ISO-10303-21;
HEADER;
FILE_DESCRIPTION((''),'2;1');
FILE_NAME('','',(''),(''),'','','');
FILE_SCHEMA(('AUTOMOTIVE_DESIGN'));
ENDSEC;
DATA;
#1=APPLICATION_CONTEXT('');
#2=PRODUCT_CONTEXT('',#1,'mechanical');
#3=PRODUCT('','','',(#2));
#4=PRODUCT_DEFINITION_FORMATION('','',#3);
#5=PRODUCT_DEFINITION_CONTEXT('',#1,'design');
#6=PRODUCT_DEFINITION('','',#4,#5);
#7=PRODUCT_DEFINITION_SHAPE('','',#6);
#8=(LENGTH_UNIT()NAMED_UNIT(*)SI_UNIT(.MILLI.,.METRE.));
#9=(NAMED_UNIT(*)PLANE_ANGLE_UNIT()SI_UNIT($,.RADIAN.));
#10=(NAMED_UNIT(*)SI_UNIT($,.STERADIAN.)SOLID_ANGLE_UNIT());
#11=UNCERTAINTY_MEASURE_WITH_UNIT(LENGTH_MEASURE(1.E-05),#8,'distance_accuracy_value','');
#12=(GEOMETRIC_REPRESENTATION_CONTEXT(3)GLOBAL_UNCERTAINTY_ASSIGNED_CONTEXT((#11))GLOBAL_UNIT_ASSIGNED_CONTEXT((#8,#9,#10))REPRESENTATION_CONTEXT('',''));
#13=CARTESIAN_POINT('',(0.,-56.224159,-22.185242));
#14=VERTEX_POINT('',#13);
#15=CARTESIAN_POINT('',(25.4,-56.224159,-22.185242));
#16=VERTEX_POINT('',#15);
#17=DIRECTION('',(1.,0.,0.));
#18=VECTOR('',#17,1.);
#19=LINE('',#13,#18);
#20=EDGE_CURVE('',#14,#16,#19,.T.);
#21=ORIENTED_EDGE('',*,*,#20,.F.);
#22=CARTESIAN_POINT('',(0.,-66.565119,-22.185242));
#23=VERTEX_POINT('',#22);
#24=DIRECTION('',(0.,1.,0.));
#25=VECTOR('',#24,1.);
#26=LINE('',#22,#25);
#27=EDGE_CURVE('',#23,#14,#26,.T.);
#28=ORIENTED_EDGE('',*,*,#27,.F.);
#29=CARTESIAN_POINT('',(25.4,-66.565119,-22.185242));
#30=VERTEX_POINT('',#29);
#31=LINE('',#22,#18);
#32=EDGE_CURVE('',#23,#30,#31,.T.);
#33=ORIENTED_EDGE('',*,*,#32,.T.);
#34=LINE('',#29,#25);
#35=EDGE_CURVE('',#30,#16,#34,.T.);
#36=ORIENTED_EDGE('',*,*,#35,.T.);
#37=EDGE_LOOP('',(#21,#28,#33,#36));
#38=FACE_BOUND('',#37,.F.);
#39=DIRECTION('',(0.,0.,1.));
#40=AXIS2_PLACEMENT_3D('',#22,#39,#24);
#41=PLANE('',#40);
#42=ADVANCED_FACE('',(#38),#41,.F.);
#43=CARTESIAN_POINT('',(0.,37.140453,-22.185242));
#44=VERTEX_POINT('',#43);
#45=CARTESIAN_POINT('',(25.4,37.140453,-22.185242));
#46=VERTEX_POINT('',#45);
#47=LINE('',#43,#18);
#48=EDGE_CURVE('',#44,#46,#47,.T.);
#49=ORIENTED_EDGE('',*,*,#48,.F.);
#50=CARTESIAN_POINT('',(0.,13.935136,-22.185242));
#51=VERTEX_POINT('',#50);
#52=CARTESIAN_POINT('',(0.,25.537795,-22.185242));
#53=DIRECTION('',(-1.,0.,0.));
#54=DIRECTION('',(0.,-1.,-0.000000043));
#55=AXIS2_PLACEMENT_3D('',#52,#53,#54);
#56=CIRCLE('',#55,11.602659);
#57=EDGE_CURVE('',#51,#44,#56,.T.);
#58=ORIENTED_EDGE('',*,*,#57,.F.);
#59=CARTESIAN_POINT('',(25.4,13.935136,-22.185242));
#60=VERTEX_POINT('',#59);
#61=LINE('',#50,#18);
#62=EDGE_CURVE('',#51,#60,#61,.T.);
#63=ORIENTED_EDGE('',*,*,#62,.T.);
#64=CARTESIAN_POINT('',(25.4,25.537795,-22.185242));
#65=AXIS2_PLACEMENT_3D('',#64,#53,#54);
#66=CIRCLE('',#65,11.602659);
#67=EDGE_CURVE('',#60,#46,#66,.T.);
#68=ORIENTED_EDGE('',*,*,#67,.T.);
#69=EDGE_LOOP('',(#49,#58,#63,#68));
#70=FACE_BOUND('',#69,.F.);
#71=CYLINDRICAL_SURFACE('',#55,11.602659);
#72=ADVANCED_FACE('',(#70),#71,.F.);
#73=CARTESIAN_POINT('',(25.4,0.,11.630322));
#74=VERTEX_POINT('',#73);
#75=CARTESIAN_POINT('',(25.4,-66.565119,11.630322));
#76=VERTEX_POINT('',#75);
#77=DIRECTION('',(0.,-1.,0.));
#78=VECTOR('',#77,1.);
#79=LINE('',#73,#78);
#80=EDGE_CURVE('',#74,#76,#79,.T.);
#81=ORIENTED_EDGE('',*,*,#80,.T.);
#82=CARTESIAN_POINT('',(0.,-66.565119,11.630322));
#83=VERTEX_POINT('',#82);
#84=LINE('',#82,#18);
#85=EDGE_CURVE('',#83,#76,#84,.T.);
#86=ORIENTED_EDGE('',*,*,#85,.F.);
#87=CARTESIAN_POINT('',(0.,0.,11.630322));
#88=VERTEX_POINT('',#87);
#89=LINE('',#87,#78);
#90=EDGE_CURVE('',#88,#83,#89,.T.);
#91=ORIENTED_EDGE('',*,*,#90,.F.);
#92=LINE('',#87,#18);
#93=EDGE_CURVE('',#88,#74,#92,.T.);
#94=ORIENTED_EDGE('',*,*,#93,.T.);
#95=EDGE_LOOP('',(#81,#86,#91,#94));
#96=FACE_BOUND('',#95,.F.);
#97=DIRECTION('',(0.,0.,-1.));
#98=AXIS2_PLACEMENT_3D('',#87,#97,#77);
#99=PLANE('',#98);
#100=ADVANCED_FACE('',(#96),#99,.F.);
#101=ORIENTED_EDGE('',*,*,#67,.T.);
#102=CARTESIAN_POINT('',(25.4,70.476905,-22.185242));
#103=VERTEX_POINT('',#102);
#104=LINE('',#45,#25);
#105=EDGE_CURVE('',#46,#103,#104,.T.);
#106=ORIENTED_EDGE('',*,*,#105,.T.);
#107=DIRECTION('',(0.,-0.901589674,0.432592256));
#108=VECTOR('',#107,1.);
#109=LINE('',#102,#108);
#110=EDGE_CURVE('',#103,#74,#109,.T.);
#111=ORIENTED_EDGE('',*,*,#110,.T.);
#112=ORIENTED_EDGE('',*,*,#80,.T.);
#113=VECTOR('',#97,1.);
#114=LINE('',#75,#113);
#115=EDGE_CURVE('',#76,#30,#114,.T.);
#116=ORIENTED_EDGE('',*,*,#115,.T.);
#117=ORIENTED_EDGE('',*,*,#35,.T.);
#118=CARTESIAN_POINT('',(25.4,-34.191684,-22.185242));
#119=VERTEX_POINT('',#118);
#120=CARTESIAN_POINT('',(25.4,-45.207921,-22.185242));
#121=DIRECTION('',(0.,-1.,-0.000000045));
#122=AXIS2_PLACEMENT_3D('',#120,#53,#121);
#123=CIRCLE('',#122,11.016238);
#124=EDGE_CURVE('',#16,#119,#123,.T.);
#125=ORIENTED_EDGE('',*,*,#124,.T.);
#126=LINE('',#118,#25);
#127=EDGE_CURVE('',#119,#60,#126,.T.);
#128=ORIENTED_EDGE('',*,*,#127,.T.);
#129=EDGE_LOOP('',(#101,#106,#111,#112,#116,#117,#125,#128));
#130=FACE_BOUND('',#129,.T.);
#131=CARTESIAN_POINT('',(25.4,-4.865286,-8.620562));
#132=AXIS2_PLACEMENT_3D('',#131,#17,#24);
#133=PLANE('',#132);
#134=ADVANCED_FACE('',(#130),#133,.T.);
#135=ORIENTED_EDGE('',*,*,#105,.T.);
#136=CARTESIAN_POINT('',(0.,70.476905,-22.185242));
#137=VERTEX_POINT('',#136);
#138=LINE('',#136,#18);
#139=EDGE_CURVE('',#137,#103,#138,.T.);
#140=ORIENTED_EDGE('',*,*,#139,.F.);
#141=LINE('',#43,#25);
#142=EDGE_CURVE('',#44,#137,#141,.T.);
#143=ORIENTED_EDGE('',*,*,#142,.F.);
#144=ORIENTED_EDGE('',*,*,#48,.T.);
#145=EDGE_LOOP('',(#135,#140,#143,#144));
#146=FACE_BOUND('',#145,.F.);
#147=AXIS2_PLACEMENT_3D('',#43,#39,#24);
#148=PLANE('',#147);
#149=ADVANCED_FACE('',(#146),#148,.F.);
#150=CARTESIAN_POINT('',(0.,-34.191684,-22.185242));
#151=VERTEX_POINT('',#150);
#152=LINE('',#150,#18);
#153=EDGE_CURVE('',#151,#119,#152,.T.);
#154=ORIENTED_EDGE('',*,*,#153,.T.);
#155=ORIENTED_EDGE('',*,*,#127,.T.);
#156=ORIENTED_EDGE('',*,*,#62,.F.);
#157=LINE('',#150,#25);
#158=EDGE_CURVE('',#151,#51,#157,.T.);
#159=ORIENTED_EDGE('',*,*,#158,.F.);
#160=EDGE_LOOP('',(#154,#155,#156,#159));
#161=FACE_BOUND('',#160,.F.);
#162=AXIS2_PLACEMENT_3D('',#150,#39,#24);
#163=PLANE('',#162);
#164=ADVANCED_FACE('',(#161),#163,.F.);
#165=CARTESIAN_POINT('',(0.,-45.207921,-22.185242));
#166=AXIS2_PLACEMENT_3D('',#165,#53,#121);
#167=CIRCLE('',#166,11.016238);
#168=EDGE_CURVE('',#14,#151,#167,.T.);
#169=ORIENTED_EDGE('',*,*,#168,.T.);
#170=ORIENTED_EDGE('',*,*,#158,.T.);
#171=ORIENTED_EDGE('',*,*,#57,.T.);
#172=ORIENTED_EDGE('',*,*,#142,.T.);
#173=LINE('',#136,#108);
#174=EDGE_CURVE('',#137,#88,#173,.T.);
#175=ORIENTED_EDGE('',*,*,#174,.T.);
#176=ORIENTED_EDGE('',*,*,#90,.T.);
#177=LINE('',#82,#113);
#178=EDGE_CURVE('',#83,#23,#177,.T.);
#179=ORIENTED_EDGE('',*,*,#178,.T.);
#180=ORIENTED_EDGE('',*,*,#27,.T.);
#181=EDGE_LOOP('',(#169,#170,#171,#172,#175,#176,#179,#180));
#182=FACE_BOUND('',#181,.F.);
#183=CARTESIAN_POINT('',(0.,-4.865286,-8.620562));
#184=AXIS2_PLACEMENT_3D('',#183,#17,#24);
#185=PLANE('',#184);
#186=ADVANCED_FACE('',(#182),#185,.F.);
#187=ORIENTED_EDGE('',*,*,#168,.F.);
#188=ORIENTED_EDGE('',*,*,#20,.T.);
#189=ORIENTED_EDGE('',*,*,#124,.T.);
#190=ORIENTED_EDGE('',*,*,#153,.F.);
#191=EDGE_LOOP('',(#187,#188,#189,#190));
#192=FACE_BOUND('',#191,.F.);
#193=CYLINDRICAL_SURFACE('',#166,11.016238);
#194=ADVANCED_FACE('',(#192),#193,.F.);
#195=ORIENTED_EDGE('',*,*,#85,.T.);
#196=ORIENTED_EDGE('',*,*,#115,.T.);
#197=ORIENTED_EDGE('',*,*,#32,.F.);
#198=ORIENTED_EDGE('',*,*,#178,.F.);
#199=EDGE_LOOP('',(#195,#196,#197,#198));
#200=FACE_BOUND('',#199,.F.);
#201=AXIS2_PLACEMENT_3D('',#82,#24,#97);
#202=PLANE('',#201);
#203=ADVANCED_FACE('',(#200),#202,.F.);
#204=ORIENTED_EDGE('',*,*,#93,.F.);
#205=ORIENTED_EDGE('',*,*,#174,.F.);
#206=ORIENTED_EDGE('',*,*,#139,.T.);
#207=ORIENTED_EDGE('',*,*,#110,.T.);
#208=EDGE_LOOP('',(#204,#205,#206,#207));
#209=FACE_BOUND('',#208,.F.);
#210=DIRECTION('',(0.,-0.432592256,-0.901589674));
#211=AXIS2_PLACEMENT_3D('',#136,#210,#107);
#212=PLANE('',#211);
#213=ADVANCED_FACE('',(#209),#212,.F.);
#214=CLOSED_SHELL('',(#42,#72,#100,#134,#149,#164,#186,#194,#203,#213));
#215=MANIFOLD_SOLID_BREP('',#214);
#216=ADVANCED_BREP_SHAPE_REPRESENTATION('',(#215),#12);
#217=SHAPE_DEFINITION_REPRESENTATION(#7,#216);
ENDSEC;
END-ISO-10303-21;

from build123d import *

# Parameters (mm, degrees)
F1_DEPTH = 25.4


with BuildPart() as f1:
    # F0 (on Right) → F1 (new body)
    with BuildSketch(Plane.YZ):
        with BuildLine():
            Line((0, 11.630322), (-66.565119, 11.630322))
            Line((-66.565119, 11.630322), (-66.565119, -22.185242))
            Line((-66.565119, -22.185242), (-56.224159, -22.185242))
            ThreePointArc((-56.224159, -22.185242), (-45.207921, -11.169004), (-34.191684, -22.185242))
            Line((-34.191684, -22.185242), (13.935136, -22.185242))
            ThreePointArc((13.935136, -22.185242), (25.537794, -10.582583), (37.140453, -22.185242))
            Line((37.140453, -22.185242), (70.476905, -22.185242))
            Line((70.476905, -22.185242), (0, 11.630322))
        make_face()
    extrude(amount=F1_DEPTH)


solid = f1.part
